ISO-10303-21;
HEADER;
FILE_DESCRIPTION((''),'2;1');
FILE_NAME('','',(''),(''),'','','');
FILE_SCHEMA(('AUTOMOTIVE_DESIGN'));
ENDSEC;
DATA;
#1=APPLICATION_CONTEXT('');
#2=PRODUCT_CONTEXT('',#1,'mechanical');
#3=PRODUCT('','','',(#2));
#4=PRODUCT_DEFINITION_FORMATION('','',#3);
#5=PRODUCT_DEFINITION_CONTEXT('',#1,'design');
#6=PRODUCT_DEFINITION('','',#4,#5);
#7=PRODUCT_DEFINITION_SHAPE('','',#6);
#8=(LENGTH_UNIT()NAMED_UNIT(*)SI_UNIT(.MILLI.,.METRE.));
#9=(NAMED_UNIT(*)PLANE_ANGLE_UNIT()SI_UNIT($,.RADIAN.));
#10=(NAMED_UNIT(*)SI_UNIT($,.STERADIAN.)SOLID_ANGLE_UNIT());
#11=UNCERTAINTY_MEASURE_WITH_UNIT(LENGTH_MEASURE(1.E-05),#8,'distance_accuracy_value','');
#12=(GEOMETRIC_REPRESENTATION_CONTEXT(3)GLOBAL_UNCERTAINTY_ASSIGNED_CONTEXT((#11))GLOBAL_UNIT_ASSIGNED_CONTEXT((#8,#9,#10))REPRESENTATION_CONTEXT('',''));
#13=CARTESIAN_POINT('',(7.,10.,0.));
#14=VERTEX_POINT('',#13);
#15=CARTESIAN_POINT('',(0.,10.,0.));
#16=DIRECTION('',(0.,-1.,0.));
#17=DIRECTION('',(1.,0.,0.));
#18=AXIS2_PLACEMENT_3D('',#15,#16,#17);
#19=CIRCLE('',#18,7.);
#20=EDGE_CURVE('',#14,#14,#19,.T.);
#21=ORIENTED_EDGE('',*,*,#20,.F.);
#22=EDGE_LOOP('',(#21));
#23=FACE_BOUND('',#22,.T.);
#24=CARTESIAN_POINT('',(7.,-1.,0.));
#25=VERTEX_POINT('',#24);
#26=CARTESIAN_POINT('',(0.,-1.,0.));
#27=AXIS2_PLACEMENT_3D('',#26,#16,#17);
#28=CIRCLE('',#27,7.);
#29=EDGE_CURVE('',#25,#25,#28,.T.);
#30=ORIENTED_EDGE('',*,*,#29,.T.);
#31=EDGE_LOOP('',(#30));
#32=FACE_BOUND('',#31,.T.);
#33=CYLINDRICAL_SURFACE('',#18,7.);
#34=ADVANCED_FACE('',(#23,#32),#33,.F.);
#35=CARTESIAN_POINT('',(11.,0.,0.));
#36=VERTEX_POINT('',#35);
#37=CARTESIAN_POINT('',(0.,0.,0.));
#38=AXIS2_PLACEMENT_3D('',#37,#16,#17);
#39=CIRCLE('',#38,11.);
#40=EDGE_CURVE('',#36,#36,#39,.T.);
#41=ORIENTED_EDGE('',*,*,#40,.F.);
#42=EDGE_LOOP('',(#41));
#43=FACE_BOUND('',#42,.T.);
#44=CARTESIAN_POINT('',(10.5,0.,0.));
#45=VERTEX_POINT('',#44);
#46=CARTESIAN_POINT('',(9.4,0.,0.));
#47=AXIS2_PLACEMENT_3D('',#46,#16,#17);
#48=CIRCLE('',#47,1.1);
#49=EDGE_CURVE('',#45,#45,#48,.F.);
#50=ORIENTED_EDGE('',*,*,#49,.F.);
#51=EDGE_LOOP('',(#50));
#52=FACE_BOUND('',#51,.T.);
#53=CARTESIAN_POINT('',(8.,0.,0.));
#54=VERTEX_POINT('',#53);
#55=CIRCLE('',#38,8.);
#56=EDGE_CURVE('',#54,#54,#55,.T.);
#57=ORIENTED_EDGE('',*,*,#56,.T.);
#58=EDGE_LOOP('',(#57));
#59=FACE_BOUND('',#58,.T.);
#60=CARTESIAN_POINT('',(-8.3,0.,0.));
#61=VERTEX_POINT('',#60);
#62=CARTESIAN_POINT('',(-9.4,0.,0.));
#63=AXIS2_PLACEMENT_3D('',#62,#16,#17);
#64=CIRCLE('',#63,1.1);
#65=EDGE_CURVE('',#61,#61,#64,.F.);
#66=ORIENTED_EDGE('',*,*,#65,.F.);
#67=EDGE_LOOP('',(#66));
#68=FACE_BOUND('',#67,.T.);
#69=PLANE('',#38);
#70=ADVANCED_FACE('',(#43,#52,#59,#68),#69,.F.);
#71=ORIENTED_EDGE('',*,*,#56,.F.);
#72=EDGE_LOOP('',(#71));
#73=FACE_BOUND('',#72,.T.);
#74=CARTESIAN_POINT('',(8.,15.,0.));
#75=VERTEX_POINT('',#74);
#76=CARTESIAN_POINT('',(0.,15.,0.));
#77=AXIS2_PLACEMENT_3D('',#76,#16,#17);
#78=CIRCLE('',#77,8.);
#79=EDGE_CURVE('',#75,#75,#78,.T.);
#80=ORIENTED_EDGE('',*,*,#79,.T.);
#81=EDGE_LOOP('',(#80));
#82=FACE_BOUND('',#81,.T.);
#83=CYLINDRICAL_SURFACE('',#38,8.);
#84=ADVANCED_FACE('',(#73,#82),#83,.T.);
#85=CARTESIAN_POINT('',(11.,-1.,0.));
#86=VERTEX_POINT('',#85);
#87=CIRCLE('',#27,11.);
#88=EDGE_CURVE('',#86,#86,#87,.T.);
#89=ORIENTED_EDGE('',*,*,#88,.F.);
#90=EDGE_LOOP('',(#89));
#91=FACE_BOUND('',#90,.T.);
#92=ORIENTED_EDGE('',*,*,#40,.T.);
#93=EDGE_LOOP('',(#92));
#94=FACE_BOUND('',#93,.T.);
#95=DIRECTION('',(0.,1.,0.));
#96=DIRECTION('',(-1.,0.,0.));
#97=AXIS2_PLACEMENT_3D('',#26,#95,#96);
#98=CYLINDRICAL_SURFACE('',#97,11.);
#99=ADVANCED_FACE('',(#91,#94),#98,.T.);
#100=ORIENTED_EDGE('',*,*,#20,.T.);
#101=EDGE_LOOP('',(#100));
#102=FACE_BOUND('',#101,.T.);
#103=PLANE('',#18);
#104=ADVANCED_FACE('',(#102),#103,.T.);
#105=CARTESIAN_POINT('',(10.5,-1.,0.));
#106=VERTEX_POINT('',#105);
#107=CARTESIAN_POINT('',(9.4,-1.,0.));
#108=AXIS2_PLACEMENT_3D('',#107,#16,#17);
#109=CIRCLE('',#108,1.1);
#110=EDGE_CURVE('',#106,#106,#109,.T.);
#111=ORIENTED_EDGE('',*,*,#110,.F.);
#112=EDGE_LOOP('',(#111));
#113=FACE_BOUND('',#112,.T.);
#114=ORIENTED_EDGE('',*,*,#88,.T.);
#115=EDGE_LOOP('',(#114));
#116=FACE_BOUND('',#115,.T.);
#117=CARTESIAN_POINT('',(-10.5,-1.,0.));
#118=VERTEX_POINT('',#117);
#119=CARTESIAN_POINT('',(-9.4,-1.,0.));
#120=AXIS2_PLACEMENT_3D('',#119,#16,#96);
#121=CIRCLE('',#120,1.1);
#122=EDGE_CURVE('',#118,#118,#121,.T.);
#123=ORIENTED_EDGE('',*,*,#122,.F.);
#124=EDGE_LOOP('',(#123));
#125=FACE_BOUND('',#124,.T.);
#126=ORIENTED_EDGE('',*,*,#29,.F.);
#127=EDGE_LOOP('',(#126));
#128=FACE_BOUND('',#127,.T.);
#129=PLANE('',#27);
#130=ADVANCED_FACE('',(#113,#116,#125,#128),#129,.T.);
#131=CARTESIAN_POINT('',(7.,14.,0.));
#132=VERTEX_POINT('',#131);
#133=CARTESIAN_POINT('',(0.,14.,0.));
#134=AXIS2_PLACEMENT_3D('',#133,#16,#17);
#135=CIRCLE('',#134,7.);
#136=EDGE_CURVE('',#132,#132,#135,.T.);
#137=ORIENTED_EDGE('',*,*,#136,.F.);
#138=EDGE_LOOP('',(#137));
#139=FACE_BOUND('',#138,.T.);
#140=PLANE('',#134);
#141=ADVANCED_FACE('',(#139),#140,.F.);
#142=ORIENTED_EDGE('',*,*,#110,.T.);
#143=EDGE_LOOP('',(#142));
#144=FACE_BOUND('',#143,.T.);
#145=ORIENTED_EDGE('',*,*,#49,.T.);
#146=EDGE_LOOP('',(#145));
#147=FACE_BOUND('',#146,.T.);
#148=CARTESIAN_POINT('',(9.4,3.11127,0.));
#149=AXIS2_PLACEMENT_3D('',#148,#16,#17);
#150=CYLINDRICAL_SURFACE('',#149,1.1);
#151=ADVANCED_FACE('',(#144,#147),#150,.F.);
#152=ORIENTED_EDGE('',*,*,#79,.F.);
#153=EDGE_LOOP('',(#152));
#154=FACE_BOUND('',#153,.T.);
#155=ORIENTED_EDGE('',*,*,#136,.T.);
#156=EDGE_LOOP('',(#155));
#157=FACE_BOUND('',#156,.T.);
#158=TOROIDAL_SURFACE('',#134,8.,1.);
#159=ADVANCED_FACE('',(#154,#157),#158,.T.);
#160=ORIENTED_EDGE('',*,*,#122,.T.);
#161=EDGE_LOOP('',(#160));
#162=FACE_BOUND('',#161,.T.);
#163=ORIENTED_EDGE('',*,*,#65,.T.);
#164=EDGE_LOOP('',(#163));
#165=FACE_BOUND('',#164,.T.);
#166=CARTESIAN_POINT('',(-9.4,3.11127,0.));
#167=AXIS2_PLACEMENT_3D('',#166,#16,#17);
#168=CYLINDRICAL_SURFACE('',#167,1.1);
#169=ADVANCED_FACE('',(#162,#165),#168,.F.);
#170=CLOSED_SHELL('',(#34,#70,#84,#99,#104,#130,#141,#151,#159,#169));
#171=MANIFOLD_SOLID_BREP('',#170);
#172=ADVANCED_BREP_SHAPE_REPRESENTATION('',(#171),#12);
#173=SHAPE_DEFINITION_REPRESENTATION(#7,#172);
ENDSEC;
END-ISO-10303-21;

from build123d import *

# Parameters (mm, degrees)
SKETCH_2_R          = 7
CUT_EXTRUDE_1_DEPTH = 10
SKETCH_3_R          = 11
SKETCH_3_R_2        = 7
EXTRUDE_1_DEPTH     = 1
SKETCH_4_R          = 1.1
CUT_EXTRUDE_2_DEPTH = 1


with BuildPart() as part:
    # 草图1 → 旋转1 (revolve)
    with BuildSketch(Plane.XY):
        with BuildLine():
            Line((0, 14), (-7, 14))
            ThreePointArc((-7, 14), (-7.292893219, 14.707106781), (-8, 15))
            Line((-8, 15), (-8, 0))
            Line((-8, 0), (0, 0))
            Line((0, 0), (0, 14))
        make_face()
    revolve(axis=Axis((0, 0, 0), (0, 1, 0)))

    # 草图2 → 切除-拉伸1 (cut)
    with BuildSketch(Plane.XZ):
        Circle(SKETCH_2_R)
    extrude(amount=-CUT_EXTRUDE_1_DEPTH, mode=Mode.SUBTRACT)

    # 草图3 → 凸台-拉伸1 (add)
    with BuildSketch(Plane.XZ):
        Circle(SKETCH_3_R)
        Circle(SKETCH_3_R_2, mode=Mode.SUBTRACT)
    extrude(amount=EXTRUDE_1_DEPTH)

    # 草图4 → 切除-拉伸2 (cut)
    with BuildSketch(Plane.XZ.offset(1)):
        with Locations((9.4, 0)):
            Circle(SKETCH_4_R)
        with Locations((-9.4, 0)):
            Circle(SKETCH_4_R)
    extrude(amount=-CUT_EXTRUDE_2_DEPTH, mode=Mode.SUBTRACT)


solid = part.part
